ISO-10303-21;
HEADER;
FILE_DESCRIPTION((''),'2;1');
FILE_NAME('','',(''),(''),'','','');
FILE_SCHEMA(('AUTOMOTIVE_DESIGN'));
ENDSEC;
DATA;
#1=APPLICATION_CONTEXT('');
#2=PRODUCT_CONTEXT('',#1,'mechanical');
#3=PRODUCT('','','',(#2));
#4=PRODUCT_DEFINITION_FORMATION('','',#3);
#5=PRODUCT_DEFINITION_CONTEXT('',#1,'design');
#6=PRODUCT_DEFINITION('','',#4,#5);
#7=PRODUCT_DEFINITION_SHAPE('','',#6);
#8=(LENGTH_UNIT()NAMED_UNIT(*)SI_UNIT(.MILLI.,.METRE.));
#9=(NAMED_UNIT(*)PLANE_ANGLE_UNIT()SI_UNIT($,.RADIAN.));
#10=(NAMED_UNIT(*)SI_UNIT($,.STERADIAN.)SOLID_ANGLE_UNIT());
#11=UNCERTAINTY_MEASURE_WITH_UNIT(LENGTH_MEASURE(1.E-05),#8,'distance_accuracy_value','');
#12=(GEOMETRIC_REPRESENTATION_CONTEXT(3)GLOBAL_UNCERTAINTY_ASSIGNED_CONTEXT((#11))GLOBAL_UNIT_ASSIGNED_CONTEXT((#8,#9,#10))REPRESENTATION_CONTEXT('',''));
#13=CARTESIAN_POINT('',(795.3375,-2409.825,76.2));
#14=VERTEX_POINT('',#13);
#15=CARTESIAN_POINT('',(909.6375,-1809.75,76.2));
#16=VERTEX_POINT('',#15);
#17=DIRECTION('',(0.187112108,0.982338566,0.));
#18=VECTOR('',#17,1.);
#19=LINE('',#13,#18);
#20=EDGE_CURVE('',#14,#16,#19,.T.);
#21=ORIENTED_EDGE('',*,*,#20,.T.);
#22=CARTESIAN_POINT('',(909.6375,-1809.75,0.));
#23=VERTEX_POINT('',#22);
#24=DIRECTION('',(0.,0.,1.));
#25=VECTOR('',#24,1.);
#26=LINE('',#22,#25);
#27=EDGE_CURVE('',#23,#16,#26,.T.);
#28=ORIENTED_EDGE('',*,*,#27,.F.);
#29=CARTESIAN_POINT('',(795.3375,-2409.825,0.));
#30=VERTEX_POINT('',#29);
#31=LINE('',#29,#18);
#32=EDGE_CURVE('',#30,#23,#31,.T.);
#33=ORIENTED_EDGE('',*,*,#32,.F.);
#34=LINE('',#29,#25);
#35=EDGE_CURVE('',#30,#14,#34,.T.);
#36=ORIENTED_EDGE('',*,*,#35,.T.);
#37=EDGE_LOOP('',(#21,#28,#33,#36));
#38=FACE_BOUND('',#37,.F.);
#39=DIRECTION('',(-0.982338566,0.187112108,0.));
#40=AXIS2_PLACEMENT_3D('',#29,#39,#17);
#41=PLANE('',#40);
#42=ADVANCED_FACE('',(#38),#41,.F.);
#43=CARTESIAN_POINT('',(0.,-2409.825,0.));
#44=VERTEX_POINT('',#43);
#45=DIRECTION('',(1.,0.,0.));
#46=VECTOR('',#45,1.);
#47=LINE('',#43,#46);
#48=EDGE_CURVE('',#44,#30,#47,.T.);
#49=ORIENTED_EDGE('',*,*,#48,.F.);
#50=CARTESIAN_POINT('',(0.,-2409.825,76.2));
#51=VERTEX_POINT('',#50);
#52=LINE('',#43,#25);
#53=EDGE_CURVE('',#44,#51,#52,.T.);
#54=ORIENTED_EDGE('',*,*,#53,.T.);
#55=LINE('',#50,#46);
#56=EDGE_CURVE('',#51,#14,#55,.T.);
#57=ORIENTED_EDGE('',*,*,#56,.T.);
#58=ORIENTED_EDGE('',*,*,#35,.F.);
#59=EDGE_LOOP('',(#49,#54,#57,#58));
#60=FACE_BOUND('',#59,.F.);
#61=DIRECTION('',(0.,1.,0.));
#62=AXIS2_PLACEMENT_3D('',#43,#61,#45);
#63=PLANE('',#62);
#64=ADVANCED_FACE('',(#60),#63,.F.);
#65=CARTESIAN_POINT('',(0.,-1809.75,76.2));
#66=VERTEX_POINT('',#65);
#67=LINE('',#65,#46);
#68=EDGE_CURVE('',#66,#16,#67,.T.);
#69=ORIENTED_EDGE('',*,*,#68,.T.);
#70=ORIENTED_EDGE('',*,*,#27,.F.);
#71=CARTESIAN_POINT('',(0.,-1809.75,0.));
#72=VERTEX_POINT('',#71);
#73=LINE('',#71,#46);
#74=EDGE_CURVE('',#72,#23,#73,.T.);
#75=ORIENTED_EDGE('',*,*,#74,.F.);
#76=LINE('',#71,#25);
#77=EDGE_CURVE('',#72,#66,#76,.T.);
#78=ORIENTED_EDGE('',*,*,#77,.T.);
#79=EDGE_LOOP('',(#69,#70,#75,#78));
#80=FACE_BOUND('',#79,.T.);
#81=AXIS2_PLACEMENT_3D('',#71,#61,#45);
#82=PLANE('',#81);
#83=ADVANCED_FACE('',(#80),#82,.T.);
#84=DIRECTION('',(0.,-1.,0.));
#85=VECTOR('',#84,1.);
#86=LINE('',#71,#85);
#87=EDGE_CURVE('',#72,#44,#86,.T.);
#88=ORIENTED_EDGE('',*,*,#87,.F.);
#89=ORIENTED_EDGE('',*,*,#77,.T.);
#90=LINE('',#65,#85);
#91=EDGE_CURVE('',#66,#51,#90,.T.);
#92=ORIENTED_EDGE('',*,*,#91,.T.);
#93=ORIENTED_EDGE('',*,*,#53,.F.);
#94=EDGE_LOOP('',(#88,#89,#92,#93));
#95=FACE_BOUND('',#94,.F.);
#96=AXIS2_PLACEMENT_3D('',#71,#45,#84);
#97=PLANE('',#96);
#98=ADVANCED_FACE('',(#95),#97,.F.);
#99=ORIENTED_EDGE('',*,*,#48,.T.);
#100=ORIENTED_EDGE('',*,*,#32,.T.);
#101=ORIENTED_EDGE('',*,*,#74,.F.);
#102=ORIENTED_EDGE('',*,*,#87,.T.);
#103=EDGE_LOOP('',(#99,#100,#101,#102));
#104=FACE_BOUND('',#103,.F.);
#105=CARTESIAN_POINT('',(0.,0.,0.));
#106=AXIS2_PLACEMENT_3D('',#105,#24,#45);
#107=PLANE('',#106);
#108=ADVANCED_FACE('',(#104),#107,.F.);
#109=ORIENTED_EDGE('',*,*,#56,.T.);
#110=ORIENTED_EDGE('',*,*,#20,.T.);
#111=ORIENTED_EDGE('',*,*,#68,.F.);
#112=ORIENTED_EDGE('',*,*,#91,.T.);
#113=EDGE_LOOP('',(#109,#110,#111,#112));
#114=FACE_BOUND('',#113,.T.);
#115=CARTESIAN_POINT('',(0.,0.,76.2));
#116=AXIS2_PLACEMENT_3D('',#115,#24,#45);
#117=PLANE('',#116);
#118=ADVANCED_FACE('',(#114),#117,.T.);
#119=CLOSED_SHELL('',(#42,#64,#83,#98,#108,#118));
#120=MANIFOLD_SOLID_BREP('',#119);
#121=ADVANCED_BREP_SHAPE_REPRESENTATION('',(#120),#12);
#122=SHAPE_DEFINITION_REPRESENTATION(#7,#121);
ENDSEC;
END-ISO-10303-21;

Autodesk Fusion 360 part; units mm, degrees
sketch "Sketch1" plane through (0, 0, 0) normal (0, 0, 1) x (1, 0, 0)
  line L0 (0, 0) -> (0, -600.075)
  line L1 (0, -600.075) -> (744.5375, -600.075)
  line L2 (0, 0) -> (947.7375, 0)
  line L3 (947.7375, 0) -> (744.5375, -600.075)
  line L4 (1049.3375, -600.075) -> (2105.025, -600.075)
  line L5 (1049.3375, -600.075) -> (1252.5375, 0)
  line L6 (2105.025, -600.075) -> (1698.625, 0)
  line L7 (1252.5375, 0) -> (1698.625, 0)
  line L8 (2003.425, 0) -> (3025.775, 0)
  line L9 (2409.825, -600.075) -> (3025.775, -600.075)
  line L10 (3025.775, 0) -> (3025.775, -600.075)
  line L11 (2409.825, -600.075) -> (2003.425, 0)
  line L12 (0, -904.875) -> (0, -1504.95)
  line L13 (0, -1504.95) -> (376.2375, -1504.95)
  line L14 (376.2375, -1504.95) -> (528.6375, -904.875)
  line L15 (0, -904.875) -> (528.6375, -904.875)
  line L16 (579.4375, -1504.95) -> (1636.7125, -1504.95)
  line L17 (731.8375, -904.875) -> (1420.8125, -904.875)
  line L18 (579.4375, -1504.95) -> (731.8375, -904.875)
  line L19 (1420.8125, -904.875) -> (1636.7125, -1504.95)
  line L20 (1839.9125, -1504.95) -> (2160.5875, -1504.95)
  line L21 (1624.0125, -904.875) -> (2401.8875, -904.875)
  line L22 (1624.0125, -904.875) -> (1839.9125, -1504.95)
  line L23 (2160.5875, -1504.95) -> (2401.8875, -904.875)
  line L24 (2363.7875, -1504.95) -> (3019.425, -1504.95)
  line L25 (2605.0875, -904.875) -> (3019.425, -904.875)
  line L26 (3019.425, -904.875) -> (3019.425, -1504.95)
  line L27 (2605.0875, -904.875) -> (2363.7875, -1504.95)
  line L28 (0, -1809.75) -> (0, -2409.825)
  line L29 (0, -1809.75) -> (909.6375, -1809.75)
  line L30 (0, -2409.825) -> (795.3375, -2409.825)
  line L31 (795.3375, -2409.825) -> (909.6375, -1809.75)
  line L32 (1214.4375, -1809.75) -> (2017.7125, -1809.75)
  line L33 (1100.1375, -2409.825) -> (1878.0125, -2409.825)
  line L34 (1100.1375, -2409.825) -> (1214.4375, -1809.75)
  line L35 (1878.0125, -2409.825) -> (2017.7125, -1809.75)
  line L36 (2182.8125, -2409.825) -> (3028.95, -2409.825)
  line L37 (2322.5125, -1809.75) -> (3028.95, -1809.75)
  line L38 (2322.5125, -1809.75) -> (2182.8125, -2409.825)
  line L39 (3028.95, -1809.75) -> (3028.95, -2409.825)
  line L40 (0, -2714.625) -> (0, -3314.7)
  line L41 (0, -2714.625) -> (465.1375, -2714.625)
  line L42 (465.1375, -2714.625) -> (465.1375, -3314.7)
  line L43 (465.1375, -3314.7) -> (0, -3314.7)
  line L44 (668.3375, -3314.7) -> (1268.4125, -3314.7)
  line L45 (668.3375, -3314.7) -> (668.3375, -2714.625)
  line L46 (668.3375, -2714.625) -> (1458.9125, -2714.625)
  line L47 (1458.9125, -2714.625) -> (1268.4125, -3314.7)
  line L48 (1471.6125, -3314.7) -> (2236.7875, -3314.7)
  line L49 (1662.1125, -2714.625) -> (2528.8875, -2714.625)
  line L50 (1471.6125, -3314.7) -> (1662.1125, -2714.625)
  line L51 (2528.8875, -2714.625) -> (2236.7875, -3314.7)
  line L52 (2439.9875, -3314.7) -> (3019.425, -3314.7)
  line L53 (2732.0875, -2714.625) -> (3019.425, -2714.625)
  line L54 (2439.9875, -3314.7) -> (2732.0875, -2714.625)
  line L55 (3019.425, -2714.625) -> (3019.425, -3314.7)
  dimension "d1" = 600.075
  dimension "d2" = 744.5375
  dimension "d3" = 1055.6875
  dimension "d4" = 304.8
  dimension "d5" = 1022.35
  dimension "d6" = 615.95
  dimension "d7" = 0
  dimension "d8" = 304.8
  dimension "d9" = 376.2375
  dimension "d10" = 1057.275
  dimension "d11" = 203.2
  dimension "d12" = 688.975
  dimension "d13" = 320.675
  dimension "d14" = 777.875
  dimension "d15" = 203.2
  dimension "d16" = 655.6375
  dimension "d17" = 414.3375
  dimension "d18" = 203.2
  dimension "d19" = 0
  dimension "d20" = 0
  dimension "d21" = 909.6375
  dimension "d22" = 795.3375
  dimension "d23" = 803.275
  dimension "d24" = 777.875
  dimension "d25" = 304.8
  dimension "d26" = 846.1375
  dimension "d27" = 304.8
  dimension "d28" = 706.4375
  dimension "d29" = 304.8
  dimension "d30" = 947.7375
  dimension "d31" = 446.0875
  dimension "d32" = 528.6375
  dimension "d33" = 0
  dimension "d34" = 0
  dimension "d35" = 465.1375
  dimension "d36" = 600.075
  dimension "d37" = 203.2
  dimension "d38" = 790.575
  dimension "d39" = 765.175
  dimension "d40" = 203.2
  dimension "d41" = 866.775
  dimension "d42" = 579.4375
  dimension "d43" = 287.3375
  dimension "d44" = 203.2
extrude "Extrude1" add sketch "Sketch1" along normal blind 76.2 contours L28 L29 L30 L31
equation "d1 = 23 5/8\""
equation "d2 = 29 5/16\""
equation "d3 = 41 9/16\""
equation "d5 = 40 1/4\""
equation "d6 = 24 1/4\""
equation "d7 = d20"
equation "d9 = 14 13/16\""
equation "d12 = 27 1/8\""
equation "d13 = 12 5/8\""
equation "d14 = 30 5/8\""
equation "d16 = 25 13/16\""
equation "d17 = 16 5/16\""
equation "d19 = d20"
equation "d20 = d33"
equation "d21 = 35 13/16\""
equation "d22 = 31 5/16\""
equation "d23 = 31 5/8\""
equation "d24 = 30 5/8\""
equation "d26 = 33 5/16\""
equation "d28 = 27 13/16\""
equation "d30 = 37 5/16\""
equation "d31 = 17 9/16\""
equation "d32 = 20 13/16\""
equation "d33 = d33"
equation "d34 = d20"
equation "d35 = 18 5/16\""
equation "d36 = 23 5/8\""
equation "d38 = 31 1/8\""
equation "d41 = 34 1/8\""
